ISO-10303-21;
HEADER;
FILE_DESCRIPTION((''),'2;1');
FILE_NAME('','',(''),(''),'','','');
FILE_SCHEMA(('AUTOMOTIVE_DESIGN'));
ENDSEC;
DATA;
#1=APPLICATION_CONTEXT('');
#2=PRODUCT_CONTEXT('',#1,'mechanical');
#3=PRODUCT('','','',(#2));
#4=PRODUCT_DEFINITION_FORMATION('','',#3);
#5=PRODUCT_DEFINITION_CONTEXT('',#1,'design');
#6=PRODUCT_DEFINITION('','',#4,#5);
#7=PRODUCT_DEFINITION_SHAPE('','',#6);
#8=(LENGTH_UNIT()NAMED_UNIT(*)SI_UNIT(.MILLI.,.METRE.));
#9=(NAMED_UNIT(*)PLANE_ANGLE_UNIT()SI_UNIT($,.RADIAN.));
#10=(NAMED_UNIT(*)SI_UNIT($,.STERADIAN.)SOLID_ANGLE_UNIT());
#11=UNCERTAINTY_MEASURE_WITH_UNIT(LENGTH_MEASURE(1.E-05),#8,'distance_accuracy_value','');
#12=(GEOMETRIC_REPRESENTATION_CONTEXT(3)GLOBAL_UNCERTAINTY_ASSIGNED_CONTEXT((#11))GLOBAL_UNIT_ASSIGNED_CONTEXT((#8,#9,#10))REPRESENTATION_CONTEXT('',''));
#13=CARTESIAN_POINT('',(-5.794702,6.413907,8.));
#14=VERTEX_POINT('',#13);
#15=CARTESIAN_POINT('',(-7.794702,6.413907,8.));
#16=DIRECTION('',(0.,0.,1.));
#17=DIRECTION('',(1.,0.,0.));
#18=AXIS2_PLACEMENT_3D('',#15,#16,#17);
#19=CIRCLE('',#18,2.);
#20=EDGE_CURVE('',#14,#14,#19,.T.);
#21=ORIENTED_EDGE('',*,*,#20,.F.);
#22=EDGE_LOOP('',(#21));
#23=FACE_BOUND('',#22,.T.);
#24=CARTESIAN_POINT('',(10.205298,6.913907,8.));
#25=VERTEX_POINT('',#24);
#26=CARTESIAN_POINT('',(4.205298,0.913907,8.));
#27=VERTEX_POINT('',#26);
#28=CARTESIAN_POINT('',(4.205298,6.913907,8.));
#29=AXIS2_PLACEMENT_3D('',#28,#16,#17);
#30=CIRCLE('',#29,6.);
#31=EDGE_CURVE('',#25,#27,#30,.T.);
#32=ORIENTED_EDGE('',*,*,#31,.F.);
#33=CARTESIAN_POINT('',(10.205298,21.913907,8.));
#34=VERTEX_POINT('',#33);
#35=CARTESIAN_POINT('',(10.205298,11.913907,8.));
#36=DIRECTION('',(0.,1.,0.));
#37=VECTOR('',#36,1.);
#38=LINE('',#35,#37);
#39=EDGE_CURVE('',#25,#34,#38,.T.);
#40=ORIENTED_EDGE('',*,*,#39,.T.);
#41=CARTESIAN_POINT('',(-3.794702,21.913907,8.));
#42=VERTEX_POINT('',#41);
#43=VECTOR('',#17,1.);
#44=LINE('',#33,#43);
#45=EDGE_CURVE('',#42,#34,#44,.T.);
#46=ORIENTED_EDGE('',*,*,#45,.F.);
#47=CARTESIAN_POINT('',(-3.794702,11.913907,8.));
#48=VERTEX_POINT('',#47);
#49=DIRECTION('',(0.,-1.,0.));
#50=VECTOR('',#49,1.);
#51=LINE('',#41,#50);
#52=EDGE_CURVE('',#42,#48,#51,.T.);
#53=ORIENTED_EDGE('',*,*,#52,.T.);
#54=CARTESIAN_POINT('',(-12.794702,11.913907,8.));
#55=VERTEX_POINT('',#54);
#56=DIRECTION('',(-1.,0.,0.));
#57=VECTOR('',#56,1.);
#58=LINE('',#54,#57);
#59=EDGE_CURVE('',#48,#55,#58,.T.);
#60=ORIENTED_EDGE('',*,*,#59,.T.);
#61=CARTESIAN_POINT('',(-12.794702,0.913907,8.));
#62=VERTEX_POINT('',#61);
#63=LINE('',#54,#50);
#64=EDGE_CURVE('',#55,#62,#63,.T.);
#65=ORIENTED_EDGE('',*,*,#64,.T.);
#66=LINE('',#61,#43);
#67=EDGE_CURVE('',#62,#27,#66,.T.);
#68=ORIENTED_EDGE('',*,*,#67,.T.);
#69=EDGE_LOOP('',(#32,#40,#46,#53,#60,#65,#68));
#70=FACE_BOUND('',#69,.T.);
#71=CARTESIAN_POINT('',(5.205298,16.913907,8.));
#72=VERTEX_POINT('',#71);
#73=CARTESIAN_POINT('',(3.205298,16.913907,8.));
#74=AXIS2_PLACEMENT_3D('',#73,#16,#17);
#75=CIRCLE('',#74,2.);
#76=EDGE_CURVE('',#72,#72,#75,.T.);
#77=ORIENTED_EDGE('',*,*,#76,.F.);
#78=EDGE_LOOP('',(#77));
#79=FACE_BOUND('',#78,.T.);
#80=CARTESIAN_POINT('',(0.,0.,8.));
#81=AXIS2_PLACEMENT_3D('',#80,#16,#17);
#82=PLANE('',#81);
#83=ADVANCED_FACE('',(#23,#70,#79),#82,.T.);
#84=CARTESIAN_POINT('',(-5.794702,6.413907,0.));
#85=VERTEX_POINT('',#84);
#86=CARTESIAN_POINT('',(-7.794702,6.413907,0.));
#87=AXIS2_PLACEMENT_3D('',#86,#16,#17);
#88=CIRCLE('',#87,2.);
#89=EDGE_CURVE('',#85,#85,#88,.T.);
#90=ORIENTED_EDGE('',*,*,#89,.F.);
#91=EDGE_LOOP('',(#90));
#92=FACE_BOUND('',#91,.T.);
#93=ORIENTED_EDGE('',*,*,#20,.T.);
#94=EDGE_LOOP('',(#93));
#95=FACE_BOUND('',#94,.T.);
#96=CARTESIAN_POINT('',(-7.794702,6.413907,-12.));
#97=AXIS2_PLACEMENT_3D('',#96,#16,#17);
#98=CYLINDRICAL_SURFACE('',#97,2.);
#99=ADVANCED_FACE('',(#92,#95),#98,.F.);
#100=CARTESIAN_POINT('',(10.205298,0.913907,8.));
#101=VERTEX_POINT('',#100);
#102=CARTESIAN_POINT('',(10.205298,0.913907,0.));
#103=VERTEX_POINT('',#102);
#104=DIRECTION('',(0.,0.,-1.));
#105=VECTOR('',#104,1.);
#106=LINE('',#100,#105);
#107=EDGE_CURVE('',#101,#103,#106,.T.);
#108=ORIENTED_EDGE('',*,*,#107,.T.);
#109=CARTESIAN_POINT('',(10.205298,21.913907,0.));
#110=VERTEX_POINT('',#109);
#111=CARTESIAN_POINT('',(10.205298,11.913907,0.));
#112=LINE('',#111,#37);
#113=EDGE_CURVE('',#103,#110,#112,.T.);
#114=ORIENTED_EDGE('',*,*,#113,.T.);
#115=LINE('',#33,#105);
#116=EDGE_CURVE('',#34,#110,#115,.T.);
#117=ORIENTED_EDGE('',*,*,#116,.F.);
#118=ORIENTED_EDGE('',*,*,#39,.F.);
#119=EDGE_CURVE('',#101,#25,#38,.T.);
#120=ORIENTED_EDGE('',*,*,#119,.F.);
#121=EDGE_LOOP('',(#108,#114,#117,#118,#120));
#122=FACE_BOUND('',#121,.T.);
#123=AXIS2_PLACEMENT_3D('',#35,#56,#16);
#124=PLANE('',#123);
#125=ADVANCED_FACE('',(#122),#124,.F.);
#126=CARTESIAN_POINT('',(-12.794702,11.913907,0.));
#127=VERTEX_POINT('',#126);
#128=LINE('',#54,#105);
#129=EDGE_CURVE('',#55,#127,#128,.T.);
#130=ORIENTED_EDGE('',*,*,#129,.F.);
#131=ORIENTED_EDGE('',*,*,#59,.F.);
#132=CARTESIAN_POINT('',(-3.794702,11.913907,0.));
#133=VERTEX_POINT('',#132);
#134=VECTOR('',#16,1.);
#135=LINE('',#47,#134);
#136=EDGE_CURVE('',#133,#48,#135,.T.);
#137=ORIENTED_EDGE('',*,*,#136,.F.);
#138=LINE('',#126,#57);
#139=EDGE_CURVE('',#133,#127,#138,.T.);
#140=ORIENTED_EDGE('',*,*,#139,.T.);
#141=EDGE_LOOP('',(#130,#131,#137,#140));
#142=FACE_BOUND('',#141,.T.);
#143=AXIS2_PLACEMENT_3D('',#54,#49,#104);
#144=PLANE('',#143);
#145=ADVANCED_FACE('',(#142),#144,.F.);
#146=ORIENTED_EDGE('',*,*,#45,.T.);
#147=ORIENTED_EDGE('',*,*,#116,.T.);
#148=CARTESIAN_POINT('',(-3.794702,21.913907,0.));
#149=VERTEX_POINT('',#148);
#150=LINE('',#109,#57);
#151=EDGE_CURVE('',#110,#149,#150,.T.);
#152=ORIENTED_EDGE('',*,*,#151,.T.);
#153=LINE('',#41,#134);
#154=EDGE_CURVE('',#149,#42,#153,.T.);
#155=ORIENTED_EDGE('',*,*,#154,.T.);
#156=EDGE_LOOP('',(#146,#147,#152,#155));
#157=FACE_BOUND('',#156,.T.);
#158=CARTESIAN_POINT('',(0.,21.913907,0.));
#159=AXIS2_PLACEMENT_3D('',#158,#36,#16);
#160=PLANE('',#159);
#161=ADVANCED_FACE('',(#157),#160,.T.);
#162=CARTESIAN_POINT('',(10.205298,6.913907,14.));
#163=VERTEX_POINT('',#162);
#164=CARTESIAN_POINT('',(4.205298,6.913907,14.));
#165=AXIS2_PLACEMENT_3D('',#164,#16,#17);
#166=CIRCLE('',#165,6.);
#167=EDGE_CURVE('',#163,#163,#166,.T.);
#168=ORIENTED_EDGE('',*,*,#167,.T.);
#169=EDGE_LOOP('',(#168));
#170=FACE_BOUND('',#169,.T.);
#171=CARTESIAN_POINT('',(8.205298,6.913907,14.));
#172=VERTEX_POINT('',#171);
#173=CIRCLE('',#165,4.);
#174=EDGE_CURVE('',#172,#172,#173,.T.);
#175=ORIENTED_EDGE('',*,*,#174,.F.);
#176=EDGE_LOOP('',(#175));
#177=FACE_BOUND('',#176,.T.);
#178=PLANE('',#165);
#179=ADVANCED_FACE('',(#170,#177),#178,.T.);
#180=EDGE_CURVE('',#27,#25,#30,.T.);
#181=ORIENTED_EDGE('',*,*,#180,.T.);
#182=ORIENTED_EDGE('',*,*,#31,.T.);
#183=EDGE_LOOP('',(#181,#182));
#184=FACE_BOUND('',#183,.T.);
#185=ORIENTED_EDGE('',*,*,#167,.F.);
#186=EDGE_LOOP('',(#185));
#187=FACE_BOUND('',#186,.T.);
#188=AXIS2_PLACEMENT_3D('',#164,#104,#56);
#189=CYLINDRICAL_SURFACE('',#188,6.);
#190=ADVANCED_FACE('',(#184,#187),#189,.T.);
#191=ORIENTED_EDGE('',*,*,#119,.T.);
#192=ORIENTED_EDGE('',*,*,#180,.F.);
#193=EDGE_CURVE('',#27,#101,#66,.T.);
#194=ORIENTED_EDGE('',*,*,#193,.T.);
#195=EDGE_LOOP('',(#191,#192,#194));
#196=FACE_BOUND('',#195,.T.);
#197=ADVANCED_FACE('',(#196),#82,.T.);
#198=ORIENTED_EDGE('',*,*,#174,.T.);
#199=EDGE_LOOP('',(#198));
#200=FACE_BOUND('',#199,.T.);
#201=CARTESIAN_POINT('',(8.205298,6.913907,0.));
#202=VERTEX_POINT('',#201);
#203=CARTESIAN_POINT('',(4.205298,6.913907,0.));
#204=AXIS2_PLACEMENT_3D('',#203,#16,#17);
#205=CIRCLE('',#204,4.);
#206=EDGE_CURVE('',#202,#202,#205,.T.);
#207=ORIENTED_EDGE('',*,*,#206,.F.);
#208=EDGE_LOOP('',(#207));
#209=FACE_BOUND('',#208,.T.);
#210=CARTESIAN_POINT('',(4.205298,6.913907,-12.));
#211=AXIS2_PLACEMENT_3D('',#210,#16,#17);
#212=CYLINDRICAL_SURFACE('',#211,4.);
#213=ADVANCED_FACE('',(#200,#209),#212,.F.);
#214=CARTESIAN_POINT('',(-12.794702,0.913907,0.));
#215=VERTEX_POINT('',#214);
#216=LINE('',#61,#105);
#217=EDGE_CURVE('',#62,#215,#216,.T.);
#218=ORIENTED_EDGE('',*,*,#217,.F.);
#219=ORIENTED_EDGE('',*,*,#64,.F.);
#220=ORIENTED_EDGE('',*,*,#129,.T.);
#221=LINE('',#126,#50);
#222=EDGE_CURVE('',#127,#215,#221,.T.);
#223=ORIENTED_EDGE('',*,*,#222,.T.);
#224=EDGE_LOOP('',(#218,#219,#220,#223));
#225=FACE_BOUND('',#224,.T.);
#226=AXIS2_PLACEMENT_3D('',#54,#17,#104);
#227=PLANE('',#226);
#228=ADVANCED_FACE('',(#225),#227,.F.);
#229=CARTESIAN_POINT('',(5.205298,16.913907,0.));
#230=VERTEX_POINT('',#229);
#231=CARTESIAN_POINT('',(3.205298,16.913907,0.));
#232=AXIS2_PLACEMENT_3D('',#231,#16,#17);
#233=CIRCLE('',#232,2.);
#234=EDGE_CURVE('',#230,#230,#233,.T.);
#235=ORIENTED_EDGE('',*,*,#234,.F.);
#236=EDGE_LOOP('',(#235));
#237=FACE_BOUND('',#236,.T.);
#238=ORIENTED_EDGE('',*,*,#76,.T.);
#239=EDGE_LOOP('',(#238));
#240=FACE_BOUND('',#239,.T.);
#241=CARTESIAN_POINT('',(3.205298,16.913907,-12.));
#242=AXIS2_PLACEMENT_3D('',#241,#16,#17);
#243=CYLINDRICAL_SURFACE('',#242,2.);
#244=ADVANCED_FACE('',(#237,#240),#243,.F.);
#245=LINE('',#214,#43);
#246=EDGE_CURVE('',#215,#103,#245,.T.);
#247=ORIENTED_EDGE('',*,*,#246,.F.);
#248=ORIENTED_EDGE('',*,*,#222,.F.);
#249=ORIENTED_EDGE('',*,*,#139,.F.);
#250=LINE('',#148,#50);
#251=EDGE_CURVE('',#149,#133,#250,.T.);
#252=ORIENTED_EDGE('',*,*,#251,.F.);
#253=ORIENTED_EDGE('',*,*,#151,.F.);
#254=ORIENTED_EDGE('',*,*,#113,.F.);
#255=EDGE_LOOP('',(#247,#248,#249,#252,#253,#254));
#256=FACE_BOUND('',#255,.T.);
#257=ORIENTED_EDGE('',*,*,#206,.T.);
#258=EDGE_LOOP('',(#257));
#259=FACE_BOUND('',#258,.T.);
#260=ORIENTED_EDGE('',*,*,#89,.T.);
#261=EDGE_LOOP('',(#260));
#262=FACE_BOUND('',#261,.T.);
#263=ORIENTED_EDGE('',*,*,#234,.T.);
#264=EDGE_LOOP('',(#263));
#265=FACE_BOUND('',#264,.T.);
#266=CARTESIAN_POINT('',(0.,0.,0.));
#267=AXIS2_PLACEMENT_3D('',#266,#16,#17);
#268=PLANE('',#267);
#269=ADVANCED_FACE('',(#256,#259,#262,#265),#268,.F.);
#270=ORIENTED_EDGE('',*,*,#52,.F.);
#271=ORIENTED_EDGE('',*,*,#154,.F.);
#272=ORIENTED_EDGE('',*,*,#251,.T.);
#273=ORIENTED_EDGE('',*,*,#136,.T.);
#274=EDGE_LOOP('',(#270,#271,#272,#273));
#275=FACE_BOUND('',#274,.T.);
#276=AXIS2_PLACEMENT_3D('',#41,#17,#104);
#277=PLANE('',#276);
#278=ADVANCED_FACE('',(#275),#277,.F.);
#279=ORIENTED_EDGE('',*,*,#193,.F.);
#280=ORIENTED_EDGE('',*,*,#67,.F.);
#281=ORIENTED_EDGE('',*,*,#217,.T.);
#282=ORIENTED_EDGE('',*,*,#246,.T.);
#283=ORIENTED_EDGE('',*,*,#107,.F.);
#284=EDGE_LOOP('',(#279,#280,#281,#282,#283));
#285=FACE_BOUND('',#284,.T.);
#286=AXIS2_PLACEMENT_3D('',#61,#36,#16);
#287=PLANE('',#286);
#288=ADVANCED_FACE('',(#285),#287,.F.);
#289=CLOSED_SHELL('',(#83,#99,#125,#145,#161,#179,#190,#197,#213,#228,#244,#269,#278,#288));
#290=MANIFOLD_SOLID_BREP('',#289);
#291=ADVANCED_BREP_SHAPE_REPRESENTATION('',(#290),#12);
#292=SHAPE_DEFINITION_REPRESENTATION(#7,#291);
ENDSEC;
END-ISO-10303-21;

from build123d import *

# Parameters (mm, degrees)
SKETCH1_W           = 23
SKETCH1_H           = 11
BOSS_EXTRUDE1_DEPTH = 8
SKETCH2_W           = 14
SKETCH2_H           = 8
BOSS_EXTRUDE2_DEPTH = 10
SKETCH3_R           = 2
CUT_EXTRUDE1_DEPTH  = 20
SKETCH4_R           = 4
CUT_EXTRUDE2_DEPTH  = 20
BOSS_EXTRUDE3_START = 6
SKETCH5_R           = 6
SKETCH5_R_2         = 4
BOSS_EXTRUDE3_DEPTH = 6


with BuildPart() as part:
    # Sketch1 → Boss-Extrude1 (new body)
    with BuildSketch(Plane.XY):
        with Locations((-1.294701987, 6.413907285)):
            Rectangle(SKETCH1_W, SKETCH1_H)
    extrude(amount=BOSS_EXTRUDE1_DEPTH)

    # Sketch2 → Boss-Extrude2 (add)
    with BuildSketch(Plane(origin=(0, 11.913907285, 0), x_dir=(1, 0, 0), z_dir=(0, 1, 0))):
        with Locations((3.205298013, -4)):
            Rectangle(SKETCH2_W, SKETCH2_H)
    extrude(amount=BOSS_EXTRUDE2_DEPTH)

    # Sketch3 → Cut-Extrude1 (cut)
    with BuildSketch(Plane.XY.offset(8)):
        with Locations((-7.794701987, 6.413907285)):
            Circle(SKETCH3_R)
        with Locations((3.205298013, 16.913907285)):
            Circle(SKETCH3_R)
    extrude(amount=-CUT_EXTRUDE1_DEPTH, mode=Mode.SUBTRACT)

    # Sketch4 → Cut-Extrude2 (cut)
    with BuildSketch(Plane.XY.offset(8)):
        with Locations((4.205298013, 6.913907285)):
            Circle(SKETCH4_R)
    extrude(amount=-CUT_EXTRUDE2_DEPTH, mode=Mode.SUBTRACT)

    # Sketch5 → Boss-Extrude3 (add)
    with BuildSketch(Plane.XY.offset(8).offset(BOSS_EXTRUDE3_START)):
        with Locations((4.205298013, 6.913907285)):
            Circle(SKETCH5_R)
        with Locations((4.205298013, 6.913907285)):
            Circle(SKETCH5_R_2, mode=Mode.SUBTRACT)
    extrude(amount=-BOSS_EXTRUDE3_DEPTH)


solid = part.part
